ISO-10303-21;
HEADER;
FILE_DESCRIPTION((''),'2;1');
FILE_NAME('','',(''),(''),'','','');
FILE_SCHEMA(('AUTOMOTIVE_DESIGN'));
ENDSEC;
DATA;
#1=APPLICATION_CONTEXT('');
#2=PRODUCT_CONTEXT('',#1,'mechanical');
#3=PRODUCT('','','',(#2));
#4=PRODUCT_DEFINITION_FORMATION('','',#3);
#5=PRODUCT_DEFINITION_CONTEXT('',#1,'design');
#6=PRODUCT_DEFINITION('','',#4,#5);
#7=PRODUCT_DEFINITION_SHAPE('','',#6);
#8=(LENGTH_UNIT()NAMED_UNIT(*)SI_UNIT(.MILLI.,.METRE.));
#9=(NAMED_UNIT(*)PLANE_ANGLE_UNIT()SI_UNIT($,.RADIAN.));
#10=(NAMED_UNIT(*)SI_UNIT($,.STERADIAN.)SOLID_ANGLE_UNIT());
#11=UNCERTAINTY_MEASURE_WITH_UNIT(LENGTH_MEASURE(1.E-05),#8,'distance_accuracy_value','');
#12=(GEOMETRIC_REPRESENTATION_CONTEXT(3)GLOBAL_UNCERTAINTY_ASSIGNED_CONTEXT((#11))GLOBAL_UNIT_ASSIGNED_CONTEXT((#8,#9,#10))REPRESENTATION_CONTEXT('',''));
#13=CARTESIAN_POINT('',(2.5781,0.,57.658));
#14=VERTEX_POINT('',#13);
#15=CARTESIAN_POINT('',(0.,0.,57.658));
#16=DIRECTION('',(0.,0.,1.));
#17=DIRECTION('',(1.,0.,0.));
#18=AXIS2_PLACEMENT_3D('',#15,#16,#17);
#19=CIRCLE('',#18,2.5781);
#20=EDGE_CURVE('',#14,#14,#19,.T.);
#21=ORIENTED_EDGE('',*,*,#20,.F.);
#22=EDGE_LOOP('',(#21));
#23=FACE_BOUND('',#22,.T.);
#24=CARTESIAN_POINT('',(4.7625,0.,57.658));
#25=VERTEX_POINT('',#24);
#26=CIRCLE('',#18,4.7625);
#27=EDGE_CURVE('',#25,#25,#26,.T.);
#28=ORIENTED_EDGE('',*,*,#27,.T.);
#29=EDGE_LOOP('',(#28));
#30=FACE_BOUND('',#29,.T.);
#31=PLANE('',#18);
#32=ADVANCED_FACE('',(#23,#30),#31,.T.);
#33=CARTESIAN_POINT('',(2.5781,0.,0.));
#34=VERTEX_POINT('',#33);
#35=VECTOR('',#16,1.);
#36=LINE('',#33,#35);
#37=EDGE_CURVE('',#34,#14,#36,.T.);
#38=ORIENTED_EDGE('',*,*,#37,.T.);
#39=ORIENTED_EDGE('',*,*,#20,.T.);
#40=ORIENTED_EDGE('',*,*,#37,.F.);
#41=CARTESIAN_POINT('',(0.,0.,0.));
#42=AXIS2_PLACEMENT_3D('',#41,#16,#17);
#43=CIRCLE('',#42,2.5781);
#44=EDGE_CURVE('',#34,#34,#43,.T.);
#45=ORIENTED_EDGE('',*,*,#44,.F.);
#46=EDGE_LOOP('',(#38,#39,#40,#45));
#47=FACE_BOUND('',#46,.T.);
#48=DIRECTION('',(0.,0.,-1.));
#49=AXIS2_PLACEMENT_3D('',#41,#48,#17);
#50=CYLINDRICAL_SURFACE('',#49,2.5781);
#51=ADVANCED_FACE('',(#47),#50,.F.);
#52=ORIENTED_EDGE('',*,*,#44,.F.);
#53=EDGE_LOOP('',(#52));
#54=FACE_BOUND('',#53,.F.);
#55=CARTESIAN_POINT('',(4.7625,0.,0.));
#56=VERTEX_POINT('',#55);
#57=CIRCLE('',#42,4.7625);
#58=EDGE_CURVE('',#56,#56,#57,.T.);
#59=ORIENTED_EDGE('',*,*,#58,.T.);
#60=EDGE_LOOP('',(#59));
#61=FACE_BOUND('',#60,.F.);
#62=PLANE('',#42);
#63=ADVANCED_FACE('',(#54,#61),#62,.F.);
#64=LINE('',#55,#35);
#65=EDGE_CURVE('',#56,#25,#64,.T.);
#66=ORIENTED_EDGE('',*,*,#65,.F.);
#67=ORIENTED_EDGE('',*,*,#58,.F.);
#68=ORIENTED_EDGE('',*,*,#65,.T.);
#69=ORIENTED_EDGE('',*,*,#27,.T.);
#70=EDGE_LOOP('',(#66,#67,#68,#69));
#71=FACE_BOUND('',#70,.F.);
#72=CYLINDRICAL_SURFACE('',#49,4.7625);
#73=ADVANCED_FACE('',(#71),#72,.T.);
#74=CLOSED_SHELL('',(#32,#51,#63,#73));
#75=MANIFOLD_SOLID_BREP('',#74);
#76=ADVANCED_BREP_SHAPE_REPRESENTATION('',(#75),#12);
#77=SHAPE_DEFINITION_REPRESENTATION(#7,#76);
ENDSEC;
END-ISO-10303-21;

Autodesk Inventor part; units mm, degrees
ref_plane "YZ Plane" through (0, 0, 0) normal (1, 0, 0) x (0, 1, 0)
ref_plane "XZ Plane" through (0, 0, 0) normal (0, 1, 0) x (-1, 0, 0)
ref_plane "XY Plane" through (0, 0, 0) normal (0, 0, 1) x (1, 0, 0)
sketch "Sketch1" plane through (0, 0, 0) normal (0, 0, 1) x (1, 0, 0)
  circle A0 centre (0, 0) radius 2.5781
  circle A1 centre (0, 0) radius 4.7625
  dimension "d0" = 5.1562
  dimension "d1" = 9.525
extrude "Extrusion1" add sketch "Sketch1" along normal blind 57.658
properties part number "Spacer3_8x1.27"
